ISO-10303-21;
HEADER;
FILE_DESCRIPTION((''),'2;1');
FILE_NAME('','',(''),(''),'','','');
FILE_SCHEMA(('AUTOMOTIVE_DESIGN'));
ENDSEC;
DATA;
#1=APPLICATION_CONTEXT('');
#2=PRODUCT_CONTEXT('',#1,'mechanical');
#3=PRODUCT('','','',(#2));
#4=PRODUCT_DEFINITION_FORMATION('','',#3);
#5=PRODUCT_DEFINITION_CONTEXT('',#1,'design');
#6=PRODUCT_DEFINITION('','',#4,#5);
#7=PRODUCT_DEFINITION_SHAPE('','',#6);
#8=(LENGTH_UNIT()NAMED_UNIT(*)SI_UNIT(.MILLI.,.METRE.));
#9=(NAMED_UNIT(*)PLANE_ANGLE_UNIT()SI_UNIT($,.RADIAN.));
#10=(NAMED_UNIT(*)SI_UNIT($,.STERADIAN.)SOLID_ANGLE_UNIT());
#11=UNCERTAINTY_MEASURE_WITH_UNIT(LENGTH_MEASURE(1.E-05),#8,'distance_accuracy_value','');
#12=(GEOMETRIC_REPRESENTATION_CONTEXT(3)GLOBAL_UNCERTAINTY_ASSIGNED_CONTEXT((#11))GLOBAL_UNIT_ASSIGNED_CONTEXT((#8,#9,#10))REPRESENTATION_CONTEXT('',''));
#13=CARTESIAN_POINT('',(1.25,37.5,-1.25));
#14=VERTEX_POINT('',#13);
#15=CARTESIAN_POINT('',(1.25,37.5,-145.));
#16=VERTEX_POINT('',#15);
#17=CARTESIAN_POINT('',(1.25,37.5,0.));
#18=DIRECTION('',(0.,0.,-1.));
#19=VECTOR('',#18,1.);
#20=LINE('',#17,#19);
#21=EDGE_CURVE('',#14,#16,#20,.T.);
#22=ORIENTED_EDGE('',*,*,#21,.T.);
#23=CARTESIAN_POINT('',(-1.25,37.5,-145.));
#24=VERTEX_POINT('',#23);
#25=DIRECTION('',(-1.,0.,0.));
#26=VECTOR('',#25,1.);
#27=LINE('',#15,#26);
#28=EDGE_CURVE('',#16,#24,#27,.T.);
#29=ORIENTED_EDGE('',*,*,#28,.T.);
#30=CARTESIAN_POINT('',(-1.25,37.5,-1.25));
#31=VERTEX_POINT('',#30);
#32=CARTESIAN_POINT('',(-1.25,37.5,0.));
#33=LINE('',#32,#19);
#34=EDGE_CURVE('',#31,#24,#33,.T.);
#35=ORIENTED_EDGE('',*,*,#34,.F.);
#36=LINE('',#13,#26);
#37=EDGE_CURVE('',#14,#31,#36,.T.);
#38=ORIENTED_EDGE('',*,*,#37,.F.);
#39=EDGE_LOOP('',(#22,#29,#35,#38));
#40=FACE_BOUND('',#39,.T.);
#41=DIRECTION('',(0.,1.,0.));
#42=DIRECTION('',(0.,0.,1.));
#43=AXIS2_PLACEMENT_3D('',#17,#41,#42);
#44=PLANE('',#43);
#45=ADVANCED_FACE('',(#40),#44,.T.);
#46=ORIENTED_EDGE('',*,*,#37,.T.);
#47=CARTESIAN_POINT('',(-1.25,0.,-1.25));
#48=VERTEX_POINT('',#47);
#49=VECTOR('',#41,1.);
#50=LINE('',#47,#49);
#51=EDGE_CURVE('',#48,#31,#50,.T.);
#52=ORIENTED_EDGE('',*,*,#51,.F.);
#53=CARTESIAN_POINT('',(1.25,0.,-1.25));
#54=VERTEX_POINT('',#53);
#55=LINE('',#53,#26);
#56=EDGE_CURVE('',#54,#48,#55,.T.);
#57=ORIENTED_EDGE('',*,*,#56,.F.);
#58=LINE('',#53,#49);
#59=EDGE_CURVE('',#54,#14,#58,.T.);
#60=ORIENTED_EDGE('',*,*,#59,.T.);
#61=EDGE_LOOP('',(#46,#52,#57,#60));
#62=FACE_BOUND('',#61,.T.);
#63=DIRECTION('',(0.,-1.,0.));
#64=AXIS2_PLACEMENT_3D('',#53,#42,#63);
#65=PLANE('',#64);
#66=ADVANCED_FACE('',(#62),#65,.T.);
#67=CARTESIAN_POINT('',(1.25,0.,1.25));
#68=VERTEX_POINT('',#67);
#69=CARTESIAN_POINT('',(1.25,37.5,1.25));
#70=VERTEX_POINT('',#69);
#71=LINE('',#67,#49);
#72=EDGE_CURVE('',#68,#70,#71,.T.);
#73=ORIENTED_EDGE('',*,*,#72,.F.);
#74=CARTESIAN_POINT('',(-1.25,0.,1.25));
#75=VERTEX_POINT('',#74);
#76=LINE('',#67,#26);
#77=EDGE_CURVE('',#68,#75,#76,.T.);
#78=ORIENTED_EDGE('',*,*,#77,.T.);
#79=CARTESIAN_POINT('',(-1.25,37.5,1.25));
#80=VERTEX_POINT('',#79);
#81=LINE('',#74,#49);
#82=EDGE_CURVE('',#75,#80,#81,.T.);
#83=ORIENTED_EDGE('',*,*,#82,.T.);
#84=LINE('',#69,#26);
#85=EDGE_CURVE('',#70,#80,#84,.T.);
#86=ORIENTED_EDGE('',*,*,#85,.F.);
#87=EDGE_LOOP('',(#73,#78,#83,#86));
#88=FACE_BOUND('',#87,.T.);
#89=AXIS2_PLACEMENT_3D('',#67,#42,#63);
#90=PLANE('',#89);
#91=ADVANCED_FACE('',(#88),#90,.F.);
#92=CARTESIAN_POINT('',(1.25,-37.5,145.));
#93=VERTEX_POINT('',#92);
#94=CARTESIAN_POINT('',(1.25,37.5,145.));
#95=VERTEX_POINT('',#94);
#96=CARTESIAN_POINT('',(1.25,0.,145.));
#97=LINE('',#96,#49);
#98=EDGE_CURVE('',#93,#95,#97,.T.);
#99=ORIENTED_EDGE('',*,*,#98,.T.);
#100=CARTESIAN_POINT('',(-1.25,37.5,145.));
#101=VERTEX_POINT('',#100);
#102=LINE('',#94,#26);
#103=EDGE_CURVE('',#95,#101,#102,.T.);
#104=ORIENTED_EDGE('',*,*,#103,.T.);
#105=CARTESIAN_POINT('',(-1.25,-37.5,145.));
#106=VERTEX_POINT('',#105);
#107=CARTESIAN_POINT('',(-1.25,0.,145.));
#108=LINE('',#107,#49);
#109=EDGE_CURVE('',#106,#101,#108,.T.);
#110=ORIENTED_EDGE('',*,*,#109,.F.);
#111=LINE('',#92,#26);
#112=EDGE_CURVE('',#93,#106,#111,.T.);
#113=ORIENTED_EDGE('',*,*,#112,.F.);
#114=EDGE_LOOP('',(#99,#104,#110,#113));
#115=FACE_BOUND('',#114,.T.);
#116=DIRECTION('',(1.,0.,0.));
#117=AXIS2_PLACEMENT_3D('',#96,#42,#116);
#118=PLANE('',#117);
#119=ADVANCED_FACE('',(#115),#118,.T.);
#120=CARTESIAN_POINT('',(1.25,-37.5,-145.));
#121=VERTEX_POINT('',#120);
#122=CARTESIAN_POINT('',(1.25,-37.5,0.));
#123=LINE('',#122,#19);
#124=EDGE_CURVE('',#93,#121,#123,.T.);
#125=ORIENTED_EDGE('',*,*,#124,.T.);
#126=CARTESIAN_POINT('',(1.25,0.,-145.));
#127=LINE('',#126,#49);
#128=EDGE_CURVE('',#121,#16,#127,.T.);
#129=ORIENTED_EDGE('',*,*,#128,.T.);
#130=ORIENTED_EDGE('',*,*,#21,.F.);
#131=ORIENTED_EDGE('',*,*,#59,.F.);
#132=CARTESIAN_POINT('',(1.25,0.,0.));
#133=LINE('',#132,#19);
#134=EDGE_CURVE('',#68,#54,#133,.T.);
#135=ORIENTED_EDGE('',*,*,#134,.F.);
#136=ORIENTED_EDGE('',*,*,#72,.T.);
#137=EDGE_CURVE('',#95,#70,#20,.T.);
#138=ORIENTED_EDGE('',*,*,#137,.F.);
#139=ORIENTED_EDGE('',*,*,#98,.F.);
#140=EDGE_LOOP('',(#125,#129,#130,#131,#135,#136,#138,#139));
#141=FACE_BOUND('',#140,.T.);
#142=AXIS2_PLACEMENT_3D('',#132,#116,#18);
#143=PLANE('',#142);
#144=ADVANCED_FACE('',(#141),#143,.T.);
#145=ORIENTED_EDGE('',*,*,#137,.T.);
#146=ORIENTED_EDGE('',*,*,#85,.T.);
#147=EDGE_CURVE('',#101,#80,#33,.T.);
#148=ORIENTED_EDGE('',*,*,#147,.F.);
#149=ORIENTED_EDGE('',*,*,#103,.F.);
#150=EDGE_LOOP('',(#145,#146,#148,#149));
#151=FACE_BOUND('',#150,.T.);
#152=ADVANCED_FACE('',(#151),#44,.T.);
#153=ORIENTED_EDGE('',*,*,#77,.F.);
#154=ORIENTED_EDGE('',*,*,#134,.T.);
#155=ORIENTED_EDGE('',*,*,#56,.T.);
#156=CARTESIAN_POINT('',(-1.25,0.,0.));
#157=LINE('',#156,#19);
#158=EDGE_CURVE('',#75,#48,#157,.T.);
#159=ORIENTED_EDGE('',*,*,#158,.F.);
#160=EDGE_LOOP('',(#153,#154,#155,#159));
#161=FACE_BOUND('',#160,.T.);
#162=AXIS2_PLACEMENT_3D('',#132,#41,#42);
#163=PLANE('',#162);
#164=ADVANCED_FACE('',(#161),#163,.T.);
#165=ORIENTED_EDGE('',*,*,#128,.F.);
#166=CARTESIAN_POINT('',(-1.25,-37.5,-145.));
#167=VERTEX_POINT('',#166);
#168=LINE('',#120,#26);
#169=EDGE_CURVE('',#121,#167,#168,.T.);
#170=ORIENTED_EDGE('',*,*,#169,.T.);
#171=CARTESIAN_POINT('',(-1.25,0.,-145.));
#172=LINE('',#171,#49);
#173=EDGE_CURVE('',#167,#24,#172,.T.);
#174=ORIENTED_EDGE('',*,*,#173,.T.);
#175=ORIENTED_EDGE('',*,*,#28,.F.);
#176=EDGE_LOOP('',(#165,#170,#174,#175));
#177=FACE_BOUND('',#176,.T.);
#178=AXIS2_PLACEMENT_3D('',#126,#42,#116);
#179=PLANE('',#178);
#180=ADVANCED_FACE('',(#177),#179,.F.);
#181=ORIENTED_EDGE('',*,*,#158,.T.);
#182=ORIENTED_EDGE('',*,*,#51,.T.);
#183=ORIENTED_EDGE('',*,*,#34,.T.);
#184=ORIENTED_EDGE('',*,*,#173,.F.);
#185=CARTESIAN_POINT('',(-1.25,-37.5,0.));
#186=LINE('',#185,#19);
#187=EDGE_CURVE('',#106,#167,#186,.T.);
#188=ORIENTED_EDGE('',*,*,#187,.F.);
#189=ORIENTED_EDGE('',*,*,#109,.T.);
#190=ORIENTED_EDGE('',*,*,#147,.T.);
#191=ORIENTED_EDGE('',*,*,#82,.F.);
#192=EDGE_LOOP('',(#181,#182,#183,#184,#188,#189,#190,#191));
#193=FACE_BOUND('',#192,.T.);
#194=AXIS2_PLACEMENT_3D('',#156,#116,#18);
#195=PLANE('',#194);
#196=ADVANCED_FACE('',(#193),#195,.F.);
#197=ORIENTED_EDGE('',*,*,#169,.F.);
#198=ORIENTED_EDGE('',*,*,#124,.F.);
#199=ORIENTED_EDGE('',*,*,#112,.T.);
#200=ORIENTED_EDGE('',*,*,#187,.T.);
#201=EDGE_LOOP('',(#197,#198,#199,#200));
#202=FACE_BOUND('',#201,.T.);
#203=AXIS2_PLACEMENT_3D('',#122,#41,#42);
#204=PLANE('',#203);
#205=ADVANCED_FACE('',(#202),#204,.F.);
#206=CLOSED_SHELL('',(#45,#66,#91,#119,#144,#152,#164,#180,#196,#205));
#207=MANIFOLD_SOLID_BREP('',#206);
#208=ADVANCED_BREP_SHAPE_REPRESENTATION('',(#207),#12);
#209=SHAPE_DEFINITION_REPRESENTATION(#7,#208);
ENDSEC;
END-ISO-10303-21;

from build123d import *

# Parameters (mm, degrees)
BOSS_EXTRUDE1_DEPTH = 1.25


with BuildPart() as part:
    # Sketch1 → Boss-Extrude1 (new, symmetric)
    with BuildSketch(Plane(origin=(0, 0, 0), x_dir=(0, 0, -1), z_dir=(1, 0, 0))):
        Polygon((-145, -37.5), (145, -37.5), (145, 37.5), (1.25, 37.5), (1.25, 0), (-1.25, 0), (-1.25, 37.5), (-145, 37.5), align=None)
    extrude(amount=BOSS_EXTRUDE1_DEPTH, both=True)


solid = part.part
